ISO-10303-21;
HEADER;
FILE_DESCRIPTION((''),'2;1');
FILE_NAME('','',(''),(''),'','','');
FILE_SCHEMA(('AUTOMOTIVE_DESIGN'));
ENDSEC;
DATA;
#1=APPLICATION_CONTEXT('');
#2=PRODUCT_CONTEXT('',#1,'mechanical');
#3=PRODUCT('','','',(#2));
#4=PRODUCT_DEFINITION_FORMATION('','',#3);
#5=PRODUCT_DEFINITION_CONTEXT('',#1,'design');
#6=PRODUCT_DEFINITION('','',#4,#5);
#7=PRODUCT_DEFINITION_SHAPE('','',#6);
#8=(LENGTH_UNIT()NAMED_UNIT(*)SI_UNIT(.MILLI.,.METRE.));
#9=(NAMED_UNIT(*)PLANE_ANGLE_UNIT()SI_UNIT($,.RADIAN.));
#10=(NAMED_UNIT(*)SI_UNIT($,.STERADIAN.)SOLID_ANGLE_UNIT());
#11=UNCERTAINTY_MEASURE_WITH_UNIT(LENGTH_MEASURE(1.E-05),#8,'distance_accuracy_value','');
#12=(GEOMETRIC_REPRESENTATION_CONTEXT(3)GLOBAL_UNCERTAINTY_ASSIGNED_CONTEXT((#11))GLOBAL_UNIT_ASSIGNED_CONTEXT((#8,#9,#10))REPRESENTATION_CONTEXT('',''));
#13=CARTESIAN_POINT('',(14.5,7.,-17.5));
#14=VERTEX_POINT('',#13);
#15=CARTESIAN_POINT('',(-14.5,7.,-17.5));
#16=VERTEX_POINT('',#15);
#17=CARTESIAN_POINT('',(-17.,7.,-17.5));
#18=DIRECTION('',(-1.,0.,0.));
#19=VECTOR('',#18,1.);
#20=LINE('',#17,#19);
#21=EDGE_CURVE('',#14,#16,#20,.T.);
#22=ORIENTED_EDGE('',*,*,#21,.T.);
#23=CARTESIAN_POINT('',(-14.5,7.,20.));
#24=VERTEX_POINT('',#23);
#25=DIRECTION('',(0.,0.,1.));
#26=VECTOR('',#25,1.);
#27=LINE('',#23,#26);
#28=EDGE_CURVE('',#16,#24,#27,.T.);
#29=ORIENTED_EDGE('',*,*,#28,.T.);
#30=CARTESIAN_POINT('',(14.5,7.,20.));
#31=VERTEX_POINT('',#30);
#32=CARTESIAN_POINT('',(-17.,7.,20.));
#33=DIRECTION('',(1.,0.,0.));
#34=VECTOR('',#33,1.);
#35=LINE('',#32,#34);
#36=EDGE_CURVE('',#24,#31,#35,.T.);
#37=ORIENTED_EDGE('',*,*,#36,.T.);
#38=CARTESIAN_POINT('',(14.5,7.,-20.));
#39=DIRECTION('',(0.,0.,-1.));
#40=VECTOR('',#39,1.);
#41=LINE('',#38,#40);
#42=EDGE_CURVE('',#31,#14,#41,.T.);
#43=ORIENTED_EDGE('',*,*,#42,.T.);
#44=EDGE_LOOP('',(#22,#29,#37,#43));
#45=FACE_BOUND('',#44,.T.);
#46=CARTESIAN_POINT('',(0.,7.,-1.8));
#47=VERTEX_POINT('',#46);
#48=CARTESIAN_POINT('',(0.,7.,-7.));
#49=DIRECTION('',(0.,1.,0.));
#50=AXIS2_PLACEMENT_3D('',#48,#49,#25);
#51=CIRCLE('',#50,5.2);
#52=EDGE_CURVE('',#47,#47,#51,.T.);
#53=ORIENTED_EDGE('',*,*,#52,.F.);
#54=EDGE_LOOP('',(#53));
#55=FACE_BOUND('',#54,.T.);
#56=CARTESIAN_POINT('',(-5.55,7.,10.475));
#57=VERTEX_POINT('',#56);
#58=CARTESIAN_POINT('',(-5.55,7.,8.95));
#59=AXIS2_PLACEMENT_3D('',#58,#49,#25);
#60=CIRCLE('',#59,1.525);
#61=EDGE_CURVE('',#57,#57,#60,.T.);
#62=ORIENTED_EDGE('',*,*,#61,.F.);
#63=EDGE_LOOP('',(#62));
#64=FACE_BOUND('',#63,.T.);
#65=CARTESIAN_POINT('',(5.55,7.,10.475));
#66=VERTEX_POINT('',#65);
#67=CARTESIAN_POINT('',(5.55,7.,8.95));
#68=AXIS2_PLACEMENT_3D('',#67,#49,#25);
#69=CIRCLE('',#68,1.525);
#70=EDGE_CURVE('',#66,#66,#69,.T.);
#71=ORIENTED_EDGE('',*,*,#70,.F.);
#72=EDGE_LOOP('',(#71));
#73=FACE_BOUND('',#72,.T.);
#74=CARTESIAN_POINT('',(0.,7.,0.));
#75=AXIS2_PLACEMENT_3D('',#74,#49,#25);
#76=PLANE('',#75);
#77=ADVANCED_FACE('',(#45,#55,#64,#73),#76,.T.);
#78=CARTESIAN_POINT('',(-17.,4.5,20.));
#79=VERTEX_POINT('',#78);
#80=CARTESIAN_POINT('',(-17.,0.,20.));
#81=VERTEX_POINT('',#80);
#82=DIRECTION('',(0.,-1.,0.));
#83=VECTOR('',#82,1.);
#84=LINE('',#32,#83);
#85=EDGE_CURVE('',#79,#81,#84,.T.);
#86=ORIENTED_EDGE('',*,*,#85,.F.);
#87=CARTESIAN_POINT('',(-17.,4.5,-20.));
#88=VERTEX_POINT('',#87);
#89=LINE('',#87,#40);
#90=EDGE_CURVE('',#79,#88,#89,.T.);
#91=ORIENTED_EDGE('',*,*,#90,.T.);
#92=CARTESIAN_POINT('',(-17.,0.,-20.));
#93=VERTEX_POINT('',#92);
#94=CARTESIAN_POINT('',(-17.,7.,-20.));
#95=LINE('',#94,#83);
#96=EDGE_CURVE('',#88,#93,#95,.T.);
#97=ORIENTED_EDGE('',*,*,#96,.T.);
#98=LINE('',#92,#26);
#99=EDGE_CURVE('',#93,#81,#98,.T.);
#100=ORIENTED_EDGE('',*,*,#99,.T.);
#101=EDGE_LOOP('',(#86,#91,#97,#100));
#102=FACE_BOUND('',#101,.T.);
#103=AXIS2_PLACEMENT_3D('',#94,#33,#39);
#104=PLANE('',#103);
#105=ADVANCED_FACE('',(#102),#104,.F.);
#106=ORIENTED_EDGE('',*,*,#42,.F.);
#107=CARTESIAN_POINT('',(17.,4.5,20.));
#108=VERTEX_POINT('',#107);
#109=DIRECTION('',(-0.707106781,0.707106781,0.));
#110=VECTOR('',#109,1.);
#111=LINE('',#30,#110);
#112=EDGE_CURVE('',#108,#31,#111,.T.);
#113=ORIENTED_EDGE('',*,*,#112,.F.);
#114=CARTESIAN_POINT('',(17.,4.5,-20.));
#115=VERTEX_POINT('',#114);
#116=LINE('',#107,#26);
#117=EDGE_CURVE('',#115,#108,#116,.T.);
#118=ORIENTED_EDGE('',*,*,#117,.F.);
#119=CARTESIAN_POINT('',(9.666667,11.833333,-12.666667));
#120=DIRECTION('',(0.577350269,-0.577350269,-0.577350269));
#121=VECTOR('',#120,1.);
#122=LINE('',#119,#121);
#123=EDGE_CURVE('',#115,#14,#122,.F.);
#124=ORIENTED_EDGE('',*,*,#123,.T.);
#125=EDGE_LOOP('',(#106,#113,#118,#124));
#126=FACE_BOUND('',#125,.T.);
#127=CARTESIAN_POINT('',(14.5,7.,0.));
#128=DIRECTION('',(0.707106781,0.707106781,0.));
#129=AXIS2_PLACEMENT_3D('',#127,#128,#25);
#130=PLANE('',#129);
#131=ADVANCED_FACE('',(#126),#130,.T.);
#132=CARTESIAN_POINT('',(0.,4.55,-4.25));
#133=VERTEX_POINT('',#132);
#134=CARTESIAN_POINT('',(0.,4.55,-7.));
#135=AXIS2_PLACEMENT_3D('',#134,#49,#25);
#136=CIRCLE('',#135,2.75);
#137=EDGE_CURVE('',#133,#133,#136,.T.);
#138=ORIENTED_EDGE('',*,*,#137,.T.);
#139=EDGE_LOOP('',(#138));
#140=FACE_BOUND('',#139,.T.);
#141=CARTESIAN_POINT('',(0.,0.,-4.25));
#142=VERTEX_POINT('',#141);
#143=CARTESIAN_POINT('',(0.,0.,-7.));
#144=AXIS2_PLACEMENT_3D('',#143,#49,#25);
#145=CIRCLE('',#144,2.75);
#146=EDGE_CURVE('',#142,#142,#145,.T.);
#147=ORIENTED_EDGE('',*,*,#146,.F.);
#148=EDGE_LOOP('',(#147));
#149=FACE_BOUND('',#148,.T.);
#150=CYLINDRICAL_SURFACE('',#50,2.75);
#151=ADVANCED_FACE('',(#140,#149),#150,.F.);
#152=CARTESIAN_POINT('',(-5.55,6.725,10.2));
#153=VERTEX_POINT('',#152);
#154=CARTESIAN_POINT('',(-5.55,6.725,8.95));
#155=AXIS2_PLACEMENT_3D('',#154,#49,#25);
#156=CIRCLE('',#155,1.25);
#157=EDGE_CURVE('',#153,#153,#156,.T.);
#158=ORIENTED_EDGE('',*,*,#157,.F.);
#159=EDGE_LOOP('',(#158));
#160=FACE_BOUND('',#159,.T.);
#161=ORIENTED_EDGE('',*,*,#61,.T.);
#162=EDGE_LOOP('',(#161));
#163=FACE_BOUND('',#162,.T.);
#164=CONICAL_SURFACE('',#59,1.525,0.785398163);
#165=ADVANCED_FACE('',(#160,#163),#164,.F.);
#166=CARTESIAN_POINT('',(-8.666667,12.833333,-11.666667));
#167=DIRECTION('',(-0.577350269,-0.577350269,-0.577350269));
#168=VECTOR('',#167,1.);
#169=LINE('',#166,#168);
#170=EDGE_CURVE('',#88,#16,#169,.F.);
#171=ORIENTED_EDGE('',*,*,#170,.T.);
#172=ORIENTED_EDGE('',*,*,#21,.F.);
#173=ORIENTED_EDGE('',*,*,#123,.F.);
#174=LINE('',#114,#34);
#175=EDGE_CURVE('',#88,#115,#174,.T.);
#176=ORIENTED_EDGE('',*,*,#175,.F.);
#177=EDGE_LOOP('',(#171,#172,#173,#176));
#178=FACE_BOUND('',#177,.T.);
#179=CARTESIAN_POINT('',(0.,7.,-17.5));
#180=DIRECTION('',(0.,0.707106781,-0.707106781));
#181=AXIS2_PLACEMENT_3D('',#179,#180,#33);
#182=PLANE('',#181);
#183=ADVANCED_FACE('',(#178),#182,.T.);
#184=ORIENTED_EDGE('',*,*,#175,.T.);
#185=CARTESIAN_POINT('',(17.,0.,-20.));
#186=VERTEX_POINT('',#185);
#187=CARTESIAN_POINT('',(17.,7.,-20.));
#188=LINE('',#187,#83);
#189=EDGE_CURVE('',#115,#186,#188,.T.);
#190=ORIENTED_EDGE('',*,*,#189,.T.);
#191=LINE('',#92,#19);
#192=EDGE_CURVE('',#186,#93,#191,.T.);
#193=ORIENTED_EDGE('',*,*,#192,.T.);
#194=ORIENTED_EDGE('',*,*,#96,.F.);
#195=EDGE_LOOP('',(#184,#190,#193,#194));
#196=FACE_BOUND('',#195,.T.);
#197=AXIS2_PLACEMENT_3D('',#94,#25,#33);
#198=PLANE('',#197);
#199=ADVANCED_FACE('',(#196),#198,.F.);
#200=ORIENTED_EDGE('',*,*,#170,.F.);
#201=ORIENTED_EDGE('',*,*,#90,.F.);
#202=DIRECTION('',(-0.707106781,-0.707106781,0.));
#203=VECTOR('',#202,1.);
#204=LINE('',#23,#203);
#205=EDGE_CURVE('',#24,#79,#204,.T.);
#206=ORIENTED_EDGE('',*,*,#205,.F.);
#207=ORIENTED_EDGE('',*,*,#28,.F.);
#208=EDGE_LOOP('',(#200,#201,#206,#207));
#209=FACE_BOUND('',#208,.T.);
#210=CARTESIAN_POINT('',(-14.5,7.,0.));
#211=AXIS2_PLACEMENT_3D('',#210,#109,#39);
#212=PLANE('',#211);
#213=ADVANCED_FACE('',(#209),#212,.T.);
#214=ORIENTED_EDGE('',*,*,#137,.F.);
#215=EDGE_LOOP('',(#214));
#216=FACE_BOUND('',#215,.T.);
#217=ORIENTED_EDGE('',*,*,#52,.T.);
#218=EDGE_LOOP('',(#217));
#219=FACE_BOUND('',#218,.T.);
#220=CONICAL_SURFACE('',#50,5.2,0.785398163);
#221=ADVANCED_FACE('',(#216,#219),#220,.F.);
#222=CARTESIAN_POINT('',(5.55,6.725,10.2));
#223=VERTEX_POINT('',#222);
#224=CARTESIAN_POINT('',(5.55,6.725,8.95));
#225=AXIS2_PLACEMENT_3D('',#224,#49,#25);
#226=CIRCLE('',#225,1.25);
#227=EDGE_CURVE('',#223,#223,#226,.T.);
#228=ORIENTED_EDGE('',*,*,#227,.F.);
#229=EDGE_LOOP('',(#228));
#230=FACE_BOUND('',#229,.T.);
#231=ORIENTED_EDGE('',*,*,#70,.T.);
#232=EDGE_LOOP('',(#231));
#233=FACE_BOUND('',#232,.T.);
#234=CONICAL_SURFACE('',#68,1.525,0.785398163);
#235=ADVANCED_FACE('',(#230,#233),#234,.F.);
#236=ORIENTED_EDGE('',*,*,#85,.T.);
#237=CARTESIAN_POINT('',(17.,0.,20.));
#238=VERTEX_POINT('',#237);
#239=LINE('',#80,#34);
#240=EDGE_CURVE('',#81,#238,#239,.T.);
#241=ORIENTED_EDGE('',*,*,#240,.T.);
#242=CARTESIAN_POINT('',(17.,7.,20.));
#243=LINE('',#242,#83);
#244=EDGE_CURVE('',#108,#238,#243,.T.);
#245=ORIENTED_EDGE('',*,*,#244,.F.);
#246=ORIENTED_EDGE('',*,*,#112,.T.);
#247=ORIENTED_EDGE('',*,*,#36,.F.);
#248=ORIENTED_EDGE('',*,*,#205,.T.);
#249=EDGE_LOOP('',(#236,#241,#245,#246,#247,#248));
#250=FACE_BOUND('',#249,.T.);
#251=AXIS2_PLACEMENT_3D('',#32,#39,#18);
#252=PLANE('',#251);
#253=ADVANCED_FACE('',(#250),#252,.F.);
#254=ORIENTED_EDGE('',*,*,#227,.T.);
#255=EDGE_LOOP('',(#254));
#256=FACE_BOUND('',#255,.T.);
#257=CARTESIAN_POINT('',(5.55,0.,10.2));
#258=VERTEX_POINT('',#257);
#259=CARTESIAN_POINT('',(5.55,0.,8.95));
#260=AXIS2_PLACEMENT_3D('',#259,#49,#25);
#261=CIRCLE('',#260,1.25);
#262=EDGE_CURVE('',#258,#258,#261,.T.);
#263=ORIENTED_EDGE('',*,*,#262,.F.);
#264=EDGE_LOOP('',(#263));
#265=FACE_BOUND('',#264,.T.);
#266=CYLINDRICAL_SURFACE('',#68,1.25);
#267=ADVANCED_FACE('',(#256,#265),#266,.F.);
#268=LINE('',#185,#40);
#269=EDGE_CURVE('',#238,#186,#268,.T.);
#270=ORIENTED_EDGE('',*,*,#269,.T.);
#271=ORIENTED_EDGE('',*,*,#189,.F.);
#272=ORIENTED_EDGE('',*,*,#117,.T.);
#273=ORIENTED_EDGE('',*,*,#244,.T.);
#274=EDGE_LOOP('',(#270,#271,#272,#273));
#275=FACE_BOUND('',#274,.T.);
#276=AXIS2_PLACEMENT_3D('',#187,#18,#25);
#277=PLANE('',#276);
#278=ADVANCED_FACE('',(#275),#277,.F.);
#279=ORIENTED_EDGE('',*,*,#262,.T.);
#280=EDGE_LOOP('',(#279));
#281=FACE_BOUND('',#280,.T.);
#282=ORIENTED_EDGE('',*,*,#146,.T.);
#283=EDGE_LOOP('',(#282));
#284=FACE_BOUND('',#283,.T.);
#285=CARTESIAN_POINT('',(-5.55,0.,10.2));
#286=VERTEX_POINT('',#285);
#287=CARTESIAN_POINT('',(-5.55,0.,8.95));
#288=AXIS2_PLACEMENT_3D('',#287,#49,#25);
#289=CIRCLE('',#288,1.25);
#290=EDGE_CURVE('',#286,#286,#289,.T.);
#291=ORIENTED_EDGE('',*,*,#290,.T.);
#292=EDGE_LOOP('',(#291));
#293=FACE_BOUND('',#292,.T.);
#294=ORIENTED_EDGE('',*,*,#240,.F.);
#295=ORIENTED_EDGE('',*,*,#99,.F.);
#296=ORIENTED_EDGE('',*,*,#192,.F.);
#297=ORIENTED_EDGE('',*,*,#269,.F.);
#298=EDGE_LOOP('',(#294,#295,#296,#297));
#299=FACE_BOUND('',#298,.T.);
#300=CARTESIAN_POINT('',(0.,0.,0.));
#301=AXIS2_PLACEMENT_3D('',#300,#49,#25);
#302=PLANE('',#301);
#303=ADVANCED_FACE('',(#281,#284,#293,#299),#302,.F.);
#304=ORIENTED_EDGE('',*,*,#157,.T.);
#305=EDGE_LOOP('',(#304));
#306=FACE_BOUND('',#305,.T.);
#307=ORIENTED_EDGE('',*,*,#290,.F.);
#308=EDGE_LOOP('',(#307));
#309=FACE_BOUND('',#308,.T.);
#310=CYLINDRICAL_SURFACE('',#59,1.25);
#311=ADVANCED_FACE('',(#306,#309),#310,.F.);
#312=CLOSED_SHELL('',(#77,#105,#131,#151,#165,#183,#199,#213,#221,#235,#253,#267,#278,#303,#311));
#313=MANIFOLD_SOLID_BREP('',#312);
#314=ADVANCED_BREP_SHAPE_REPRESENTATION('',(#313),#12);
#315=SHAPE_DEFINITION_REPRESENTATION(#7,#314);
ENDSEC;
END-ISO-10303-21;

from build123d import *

# Parameters (mm, degrees)
SKETCH_1_W                    = 34
SKETCH_1_H                    = 40
EXTRUDE_293_DEPTH             = 7
HOLE_WIZARD_40_M5_D           = 5.5
HOLE_WIZARD_40_M5_CSINK_D     = 10.4
HOLE_WIZARD_40_M5_CSINK_ANGLE = 90
HOLE_WIZARD_1147_D            = 2.5
HOLE_WIZARD_1147_CSINK_D      = 3.05
HOLE_WIZARD_1147_CSINK_ANGLE  = 90
CHAMFER_1_SIZE                = 2.5


with BuildPart() as part:
    # Эскиз1 → Extrude 293 (new body)
    with BuildSketch(Plane(origin=(0, 0, 0), x_dir=(1, 0, 0), z_dir=(0, 1, 0))):
        Rectangle(SKETCH_1_W, SKETCH_1_H)
    extrude(amount=EXTRUDE_293_DEPTH)

    # Крепление к профилю 40 - M5 (through all)
    with Locations(Plane(origin=(0, 7, 0), x_dir=(-1, 0, 0), z_dir=(0, 1, 0))):
        with Locations((0, -7)):
            CounterSinkHole(HOLE_WIZARD_40_M5_D / 2, HOLE_WIZARD_40_M5_CSINK_D / 2, counter_sink_angle=HOLE_WIZARD_40_M5_CSINK_ANGLE)

    # Hole Wizard 1147 (through all)
    with Locations(Plane(origin=(0, 7, 0), x_dir=(-1, 0, 0), z_dir=(0, 1, 0))):
        with Locations((5.55, 8.95), (-5.55, 8.95)):
            CounterSinkHole(HOLE_WIZARD_1147_D / 2, HOLE_WIZARD_1147_CSINK_D / 2, counter_sink_angle=HOLE_WIZARD_1147_CSINK_ANGLE)

    # Фаска1
    chamfer_1_edges = [part.edges().sort_by_distance(p)[0] for p in [
        (-17, 7, 0),
        (17, 7, 0),
        (0, 7, -20),
    ]]
    chamfer(chamfer_1_edges, length=CHAMFER_1_SIZE)


solid = part.part
